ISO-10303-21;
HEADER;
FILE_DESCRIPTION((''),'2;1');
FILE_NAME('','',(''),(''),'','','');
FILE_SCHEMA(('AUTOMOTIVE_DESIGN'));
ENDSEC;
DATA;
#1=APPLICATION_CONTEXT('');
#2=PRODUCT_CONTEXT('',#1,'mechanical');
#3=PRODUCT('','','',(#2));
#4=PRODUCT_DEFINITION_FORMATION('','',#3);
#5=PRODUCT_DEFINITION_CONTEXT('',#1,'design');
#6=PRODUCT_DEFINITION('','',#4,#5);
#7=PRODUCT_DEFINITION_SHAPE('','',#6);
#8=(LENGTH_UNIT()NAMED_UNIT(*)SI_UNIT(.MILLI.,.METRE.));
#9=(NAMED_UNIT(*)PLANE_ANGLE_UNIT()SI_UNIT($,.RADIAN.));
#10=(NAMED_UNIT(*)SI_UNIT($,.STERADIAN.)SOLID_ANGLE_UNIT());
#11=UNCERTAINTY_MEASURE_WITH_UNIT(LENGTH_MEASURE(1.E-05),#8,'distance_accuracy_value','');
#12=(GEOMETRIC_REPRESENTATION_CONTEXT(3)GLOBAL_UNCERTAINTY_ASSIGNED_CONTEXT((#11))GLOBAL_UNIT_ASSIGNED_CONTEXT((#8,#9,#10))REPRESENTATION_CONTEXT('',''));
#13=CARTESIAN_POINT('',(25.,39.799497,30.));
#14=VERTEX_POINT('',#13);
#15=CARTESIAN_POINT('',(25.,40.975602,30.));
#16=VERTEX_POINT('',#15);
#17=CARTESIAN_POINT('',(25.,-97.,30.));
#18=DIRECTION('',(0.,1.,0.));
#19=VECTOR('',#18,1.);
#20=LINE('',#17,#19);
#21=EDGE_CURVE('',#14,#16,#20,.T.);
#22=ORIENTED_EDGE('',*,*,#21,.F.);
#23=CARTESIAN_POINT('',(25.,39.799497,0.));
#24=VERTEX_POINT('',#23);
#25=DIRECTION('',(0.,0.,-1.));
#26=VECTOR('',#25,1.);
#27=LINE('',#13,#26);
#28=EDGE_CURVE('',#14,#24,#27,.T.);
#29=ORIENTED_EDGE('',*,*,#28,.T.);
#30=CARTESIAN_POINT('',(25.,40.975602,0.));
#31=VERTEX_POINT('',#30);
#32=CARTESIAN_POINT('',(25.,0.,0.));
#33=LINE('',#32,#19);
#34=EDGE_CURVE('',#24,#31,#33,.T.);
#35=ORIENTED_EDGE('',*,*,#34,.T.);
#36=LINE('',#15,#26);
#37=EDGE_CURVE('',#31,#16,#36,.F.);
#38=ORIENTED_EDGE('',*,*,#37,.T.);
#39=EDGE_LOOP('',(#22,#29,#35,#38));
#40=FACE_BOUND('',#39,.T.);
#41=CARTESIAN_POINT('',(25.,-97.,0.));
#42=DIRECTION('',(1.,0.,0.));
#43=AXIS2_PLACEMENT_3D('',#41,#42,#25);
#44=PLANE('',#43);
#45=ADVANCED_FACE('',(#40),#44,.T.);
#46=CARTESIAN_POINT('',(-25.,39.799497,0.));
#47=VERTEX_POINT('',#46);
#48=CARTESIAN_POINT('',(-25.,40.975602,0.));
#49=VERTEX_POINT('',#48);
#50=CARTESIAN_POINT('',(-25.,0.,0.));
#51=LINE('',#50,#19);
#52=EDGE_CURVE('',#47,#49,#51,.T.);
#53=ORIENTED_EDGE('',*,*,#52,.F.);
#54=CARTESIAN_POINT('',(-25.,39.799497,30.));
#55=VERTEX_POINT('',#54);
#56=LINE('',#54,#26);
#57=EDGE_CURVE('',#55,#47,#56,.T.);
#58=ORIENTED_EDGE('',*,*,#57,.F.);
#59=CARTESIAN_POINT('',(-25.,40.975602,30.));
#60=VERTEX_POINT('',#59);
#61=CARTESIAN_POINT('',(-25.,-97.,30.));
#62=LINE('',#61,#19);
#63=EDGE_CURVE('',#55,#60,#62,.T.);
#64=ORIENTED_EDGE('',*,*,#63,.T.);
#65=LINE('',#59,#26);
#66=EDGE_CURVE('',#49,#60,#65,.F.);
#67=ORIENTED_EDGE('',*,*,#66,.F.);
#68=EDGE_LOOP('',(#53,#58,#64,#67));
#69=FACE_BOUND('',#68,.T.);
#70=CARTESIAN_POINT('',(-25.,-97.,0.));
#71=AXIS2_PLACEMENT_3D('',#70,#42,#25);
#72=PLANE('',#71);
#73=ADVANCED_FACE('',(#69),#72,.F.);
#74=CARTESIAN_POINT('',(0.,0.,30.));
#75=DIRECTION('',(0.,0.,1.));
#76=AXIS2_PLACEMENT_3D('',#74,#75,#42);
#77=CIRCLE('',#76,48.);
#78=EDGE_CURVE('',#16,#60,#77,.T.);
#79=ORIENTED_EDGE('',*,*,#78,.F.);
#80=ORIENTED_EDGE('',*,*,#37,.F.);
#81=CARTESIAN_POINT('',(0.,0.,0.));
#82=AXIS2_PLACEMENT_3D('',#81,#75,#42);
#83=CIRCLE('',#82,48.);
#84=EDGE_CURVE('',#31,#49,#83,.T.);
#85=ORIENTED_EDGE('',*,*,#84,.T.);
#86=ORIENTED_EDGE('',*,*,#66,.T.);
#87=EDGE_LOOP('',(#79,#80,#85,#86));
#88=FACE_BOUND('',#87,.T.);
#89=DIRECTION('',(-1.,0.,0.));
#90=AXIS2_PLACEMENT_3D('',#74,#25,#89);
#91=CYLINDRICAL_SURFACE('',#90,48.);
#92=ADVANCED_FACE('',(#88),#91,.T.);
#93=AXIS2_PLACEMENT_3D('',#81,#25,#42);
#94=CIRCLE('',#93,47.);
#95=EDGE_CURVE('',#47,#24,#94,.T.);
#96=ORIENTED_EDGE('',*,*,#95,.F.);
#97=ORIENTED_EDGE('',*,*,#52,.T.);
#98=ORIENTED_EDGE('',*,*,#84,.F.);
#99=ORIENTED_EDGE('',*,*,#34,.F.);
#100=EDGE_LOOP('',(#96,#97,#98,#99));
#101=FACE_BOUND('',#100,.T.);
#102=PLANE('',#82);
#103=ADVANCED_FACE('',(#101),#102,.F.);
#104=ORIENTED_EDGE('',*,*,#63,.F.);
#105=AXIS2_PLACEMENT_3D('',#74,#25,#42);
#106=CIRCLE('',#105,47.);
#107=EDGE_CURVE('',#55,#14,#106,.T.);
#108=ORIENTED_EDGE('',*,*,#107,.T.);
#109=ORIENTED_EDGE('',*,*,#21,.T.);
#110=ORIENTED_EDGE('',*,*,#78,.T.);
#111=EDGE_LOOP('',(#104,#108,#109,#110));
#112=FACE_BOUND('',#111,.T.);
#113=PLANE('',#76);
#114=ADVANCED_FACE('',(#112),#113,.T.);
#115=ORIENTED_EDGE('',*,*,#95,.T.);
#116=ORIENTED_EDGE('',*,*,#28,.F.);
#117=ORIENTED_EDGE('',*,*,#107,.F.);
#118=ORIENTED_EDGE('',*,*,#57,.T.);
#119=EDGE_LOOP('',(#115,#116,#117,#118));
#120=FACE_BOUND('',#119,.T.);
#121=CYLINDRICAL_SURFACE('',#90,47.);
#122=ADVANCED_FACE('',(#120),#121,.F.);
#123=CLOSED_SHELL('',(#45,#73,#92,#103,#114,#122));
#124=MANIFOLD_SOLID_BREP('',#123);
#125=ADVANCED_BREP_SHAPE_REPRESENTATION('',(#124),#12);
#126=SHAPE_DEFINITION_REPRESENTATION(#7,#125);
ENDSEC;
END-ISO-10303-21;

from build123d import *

# Parameters (mm, degrees)
BOSS_EXTRUDE2_DEPTH = 30
SKETCH13_W          = 29.120225156
SKETCH13_H          = 30
CUT_EXTRUDE1_DEPTH  = 157


with BuildPart() as part:
    # Sketch12 → Boss-Extrude2 (new body)
    with BuildSketch(Plane.XY):
        with BuildLine():
            Line((-48, 0), (-47, 0))
            ThreePointArc((-47, 0), (0, 47), (47, 0))
            Line((47, 0), (48, 0))
            ThreePointArc((48, 0), (0, 48), (-48, 0))
        make_face()
    extrude(amount=BOSS_EXTRUDE2_DEPTH)

    # Sketch13 → Cut-Extrude1 (cut)
    with BuildSketch(Plane(origin=(0, 60, 0), x_dir=(1, 0, 0), z_dir=(0, 1, 0))):
        with Locations((39.560112578, -15)):
            Rectangle(SKETCH13_W, SKETCH13_H)
        with Locations((-39.560112578, -15)):
            Rectangle(SKETCH13_W, SKETCH13_H)
    extrude(amount=-CUT_EXTRUDE1_DEPTH, mode=Mode.SUBTRACT)


solid = part.part
